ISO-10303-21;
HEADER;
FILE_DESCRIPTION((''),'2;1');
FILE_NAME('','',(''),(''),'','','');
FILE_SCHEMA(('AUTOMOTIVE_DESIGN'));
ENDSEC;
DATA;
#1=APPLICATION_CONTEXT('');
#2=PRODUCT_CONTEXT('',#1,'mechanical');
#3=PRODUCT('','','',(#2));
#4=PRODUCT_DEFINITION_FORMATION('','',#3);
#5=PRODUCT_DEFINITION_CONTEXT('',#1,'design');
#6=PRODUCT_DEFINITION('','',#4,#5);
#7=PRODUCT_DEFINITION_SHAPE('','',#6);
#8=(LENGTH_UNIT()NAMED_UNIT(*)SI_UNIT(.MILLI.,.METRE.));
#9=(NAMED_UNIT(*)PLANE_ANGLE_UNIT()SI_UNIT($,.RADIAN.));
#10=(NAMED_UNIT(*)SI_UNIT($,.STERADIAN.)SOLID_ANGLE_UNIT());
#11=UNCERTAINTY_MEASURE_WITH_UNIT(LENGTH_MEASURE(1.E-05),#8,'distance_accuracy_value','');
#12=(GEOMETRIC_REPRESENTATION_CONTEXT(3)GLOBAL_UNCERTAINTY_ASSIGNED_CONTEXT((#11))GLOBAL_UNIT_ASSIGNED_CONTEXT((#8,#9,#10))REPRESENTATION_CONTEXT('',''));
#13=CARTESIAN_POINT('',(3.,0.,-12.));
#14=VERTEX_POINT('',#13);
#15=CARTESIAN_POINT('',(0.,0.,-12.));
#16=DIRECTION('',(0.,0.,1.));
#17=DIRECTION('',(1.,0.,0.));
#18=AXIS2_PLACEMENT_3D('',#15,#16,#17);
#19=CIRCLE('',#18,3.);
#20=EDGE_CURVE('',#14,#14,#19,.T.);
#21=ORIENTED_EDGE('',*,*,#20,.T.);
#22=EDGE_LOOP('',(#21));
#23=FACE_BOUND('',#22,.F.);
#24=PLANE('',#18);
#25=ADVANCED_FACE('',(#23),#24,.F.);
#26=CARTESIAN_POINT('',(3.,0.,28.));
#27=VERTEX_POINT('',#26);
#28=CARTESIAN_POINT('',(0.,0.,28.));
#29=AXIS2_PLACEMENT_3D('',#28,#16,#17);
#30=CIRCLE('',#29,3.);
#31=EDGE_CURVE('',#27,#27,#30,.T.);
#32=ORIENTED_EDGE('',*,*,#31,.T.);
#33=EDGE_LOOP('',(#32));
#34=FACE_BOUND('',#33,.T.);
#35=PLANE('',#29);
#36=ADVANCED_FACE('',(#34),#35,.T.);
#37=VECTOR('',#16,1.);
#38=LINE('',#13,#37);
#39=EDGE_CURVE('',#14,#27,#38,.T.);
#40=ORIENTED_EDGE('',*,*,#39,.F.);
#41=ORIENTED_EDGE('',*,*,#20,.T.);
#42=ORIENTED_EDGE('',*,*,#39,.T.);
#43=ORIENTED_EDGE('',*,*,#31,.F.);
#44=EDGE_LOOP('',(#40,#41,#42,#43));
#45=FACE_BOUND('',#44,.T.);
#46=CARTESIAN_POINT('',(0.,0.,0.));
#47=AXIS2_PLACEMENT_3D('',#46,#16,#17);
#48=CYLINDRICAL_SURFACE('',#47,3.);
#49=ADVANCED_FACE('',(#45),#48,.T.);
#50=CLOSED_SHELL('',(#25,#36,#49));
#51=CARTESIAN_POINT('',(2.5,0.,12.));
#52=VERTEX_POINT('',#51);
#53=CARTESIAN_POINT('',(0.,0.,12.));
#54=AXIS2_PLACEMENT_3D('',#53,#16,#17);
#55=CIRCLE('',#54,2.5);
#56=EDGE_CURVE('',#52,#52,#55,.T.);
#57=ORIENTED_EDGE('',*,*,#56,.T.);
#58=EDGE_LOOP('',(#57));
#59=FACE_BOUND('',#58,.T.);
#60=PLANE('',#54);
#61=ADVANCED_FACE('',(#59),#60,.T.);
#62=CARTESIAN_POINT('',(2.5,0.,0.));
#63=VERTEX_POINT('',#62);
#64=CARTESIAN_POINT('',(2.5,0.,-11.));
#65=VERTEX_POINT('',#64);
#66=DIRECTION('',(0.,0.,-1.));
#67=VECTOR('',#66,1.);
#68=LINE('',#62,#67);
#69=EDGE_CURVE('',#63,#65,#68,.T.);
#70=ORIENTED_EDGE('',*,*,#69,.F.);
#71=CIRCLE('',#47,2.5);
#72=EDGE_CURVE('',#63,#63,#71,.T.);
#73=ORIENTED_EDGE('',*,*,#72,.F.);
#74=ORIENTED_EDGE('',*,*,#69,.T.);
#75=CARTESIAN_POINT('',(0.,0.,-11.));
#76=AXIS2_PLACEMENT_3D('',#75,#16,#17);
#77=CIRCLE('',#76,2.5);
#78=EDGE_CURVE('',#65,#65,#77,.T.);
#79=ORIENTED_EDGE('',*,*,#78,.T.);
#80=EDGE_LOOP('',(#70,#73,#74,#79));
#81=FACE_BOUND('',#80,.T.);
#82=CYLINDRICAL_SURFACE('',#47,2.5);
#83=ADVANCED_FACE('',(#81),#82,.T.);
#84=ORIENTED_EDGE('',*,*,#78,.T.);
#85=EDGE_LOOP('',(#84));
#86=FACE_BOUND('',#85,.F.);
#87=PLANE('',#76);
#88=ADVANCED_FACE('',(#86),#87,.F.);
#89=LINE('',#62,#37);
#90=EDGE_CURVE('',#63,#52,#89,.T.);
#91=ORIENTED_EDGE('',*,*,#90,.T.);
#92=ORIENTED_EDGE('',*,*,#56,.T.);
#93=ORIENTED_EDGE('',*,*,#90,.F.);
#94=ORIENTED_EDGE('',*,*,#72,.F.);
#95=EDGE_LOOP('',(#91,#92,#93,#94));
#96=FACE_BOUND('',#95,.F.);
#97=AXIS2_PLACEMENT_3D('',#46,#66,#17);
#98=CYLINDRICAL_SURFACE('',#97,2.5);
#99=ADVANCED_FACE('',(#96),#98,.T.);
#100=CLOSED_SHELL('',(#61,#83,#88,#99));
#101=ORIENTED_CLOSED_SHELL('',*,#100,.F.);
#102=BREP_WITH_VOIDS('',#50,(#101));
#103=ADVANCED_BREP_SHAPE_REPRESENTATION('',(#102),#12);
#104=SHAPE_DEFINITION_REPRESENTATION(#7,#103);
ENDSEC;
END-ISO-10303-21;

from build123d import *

# Parameters (mm, degrees)
F0_R          = 3
F1_DEPTH      = 28
F1_DEPTH_BACK = 12
F2_R          = 2.5
F3_DEPTH      = 11
F3_DEPTH_BACK = 12


with BuildPart() as f1:
    # F0 (on Top) → F1 (new body, two sides)
    with BuildSketch(Plane.XY) as f1_sk:
        Circle(F0_R)
    extrude(amount=F1_DEPTH)
    extrude(f1_sk.sketch, amount=-F1_DEPTH_BACK)

    # F2 (on Top) → F3 (cut, two sides)
    with BuildSketch(Plane.XY) as f3_sk:
        Circle(F2_R)
    extrude(amount=-F3_DEPTH, mode=Mode.SUBTRACT)
    extrude(f3_sk.sketch, amount=F3_DEPTH_BACK, mode=Mode.SUBTRACT)


solid = f1.part
